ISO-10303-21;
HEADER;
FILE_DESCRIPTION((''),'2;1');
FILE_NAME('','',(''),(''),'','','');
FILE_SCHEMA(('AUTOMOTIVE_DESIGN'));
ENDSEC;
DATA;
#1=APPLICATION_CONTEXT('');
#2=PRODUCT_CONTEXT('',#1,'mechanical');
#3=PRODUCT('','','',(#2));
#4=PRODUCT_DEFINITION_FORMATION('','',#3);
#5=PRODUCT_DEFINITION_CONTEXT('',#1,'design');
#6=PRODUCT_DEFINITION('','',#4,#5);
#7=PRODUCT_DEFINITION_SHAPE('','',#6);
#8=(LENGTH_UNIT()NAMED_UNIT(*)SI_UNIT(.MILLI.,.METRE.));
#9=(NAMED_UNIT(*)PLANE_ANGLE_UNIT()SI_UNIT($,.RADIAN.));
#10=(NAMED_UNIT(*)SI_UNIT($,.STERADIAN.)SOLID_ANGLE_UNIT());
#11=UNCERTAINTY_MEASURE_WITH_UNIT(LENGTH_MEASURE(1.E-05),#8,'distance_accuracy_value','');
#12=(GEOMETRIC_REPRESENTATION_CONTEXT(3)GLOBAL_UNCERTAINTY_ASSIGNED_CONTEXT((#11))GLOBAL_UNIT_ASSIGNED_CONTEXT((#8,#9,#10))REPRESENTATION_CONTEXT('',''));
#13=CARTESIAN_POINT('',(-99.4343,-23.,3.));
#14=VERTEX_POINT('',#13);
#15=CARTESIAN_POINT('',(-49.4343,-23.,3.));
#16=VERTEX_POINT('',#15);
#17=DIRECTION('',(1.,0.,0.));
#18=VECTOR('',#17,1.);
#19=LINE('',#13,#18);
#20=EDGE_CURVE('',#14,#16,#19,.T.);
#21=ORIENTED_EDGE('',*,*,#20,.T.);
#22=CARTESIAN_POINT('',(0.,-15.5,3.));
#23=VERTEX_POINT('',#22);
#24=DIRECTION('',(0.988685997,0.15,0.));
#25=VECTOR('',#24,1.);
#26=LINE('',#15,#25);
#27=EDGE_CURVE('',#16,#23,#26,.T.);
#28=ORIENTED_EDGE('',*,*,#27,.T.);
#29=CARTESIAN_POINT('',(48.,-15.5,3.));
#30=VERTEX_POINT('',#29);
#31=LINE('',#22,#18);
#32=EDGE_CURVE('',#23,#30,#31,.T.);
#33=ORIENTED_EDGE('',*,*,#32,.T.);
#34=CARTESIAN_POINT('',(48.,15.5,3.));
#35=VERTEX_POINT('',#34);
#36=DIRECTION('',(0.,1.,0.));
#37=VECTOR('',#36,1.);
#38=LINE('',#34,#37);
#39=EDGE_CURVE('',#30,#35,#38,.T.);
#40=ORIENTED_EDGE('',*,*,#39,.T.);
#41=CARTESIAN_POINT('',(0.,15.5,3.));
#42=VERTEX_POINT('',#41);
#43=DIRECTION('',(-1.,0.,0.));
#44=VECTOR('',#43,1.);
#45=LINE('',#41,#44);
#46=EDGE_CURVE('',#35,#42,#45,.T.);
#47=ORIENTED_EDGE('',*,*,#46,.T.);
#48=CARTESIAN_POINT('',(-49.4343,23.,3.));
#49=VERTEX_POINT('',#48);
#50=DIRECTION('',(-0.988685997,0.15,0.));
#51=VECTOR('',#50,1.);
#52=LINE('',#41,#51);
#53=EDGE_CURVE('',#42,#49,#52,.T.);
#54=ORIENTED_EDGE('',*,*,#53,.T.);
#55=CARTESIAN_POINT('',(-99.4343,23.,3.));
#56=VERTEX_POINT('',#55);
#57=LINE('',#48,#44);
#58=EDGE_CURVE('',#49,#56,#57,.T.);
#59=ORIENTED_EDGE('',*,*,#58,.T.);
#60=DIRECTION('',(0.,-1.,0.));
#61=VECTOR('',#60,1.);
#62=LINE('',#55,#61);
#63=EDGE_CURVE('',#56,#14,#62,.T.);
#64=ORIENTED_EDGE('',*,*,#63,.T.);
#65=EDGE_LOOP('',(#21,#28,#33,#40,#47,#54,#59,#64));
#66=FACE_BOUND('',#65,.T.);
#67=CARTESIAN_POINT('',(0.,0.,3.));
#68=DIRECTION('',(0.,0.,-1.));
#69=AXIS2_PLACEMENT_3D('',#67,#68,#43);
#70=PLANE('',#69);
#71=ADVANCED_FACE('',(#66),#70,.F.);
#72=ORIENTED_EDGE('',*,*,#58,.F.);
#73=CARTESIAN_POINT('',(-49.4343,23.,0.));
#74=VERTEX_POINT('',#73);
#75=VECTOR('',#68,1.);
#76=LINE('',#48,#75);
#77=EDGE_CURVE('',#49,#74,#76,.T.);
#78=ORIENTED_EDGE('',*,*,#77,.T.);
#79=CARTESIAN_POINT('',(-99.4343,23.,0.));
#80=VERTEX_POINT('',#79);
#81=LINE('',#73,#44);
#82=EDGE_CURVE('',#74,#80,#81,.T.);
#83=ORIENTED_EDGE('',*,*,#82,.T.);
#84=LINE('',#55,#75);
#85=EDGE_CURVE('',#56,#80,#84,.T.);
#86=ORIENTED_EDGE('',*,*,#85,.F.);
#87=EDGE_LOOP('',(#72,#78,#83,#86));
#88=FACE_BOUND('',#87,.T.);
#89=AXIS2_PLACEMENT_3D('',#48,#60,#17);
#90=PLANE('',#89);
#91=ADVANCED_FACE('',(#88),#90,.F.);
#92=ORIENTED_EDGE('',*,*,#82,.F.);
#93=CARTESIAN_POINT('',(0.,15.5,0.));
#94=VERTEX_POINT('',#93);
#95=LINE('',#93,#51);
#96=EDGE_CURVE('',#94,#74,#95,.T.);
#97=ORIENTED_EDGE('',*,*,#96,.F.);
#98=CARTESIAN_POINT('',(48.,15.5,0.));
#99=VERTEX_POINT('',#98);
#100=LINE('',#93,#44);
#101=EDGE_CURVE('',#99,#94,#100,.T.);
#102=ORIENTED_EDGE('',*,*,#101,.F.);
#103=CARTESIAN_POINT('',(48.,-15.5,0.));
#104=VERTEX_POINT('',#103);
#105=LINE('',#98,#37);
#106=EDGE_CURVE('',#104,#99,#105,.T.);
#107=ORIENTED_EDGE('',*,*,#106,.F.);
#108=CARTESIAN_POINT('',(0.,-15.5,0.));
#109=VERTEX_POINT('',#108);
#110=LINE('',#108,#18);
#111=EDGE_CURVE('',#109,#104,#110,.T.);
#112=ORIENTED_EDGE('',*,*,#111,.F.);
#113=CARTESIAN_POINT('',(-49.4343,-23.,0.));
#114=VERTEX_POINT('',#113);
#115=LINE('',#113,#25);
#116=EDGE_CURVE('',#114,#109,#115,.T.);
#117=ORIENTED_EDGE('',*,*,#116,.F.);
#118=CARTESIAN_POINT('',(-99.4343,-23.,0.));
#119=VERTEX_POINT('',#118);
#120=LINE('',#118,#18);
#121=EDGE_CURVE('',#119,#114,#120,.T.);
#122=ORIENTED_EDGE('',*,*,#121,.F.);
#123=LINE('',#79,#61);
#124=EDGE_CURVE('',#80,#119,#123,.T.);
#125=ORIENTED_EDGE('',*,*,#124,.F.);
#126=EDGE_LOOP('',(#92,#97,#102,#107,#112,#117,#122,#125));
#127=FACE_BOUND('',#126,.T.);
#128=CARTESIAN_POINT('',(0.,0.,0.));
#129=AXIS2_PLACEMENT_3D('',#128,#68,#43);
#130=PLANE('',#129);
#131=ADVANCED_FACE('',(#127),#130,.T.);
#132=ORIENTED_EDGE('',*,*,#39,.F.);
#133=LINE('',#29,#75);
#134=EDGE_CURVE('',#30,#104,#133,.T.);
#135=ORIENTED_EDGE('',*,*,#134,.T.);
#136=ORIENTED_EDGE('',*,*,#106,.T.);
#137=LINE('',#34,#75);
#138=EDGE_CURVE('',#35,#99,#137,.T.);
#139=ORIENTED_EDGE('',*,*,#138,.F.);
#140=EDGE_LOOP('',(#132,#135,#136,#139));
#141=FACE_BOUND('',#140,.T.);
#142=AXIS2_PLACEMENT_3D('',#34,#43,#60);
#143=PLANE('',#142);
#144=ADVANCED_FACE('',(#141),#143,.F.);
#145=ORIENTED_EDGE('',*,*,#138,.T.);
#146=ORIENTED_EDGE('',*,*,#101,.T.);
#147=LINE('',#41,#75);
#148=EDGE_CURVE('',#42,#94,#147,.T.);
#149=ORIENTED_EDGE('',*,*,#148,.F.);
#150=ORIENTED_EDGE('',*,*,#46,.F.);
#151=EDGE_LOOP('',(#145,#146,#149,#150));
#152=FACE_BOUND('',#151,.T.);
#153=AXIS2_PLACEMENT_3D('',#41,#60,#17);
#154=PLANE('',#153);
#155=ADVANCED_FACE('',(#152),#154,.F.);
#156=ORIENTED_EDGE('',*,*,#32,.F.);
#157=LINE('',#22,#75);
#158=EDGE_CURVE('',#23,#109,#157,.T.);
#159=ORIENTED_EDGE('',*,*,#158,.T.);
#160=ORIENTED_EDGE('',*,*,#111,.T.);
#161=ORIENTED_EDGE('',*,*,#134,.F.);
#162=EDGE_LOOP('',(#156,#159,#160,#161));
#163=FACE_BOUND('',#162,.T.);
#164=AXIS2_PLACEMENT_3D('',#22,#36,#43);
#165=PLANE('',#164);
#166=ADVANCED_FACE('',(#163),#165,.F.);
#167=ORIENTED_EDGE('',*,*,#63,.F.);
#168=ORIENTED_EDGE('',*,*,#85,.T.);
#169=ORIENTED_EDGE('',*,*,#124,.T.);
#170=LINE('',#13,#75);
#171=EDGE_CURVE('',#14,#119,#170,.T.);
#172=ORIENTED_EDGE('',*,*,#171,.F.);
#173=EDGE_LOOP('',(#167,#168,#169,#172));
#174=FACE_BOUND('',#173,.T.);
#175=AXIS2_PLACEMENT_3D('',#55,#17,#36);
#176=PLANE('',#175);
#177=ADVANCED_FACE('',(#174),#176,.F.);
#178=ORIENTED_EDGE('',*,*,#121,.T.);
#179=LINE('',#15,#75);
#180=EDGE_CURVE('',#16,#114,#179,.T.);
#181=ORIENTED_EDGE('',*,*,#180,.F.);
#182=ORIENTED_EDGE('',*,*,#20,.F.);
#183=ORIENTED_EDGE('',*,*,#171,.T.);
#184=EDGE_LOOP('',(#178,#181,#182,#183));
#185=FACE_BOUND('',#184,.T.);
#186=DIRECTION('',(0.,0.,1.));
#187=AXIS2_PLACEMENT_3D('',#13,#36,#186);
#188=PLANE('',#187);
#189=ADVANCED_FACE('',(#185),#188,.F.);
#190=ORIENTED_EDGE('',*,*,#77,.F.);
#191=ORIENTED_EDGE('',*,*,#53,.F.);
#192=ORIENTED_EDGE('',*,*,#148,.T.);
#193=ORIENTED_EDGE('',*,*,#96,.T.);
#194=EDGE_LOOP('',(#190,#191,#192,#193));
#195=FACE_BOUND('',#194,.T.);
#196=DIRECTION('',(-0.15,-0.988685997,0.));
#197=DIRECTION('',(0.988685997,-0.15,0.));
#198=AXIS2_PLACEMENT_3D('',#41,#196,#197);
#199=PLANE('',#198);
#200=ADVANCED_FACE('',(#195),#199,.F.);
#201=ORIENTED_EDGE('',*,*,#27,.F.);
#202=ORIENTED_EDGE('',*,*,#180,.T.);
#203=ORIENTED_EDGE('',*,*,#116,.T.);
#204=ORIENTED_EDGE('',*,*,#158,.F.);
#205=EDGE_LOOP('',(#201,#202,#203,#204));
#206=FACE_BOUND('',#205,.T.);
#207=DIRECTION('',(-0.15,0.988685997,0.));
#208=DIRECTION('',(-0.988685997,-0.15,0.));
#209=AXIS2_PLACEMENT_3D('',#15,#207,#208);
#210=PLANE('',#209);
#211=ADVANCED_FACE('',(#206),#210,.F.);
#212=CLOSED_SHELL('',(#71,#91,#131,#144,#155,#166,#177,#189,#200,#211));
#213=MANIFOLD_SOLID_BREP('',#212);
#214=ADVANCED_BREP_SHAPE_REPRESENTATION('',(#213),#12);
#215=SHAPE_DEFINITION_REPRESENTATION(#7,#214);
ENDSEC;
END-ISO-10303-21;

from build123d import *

# Parameters (mm, degrees)
BOSS_EXTRU_1_DEPTH = 3


with BuildPart() as part:
    # Esquisse1 → Boss.-Extru.1 (new body)
    with BuildSketch(Plane.XY):
        Polygon((0, 15.5), (-49.434299833, 23), (-99.434299833, 23), (-99.434299833, -23), (-49.434299833, -23), (0, -15.5), (48, -15.5), (48, 15.5), align=None)
    extrude(amount=BOSS_EXTRU_1_DEPTH)


solid = part.part
